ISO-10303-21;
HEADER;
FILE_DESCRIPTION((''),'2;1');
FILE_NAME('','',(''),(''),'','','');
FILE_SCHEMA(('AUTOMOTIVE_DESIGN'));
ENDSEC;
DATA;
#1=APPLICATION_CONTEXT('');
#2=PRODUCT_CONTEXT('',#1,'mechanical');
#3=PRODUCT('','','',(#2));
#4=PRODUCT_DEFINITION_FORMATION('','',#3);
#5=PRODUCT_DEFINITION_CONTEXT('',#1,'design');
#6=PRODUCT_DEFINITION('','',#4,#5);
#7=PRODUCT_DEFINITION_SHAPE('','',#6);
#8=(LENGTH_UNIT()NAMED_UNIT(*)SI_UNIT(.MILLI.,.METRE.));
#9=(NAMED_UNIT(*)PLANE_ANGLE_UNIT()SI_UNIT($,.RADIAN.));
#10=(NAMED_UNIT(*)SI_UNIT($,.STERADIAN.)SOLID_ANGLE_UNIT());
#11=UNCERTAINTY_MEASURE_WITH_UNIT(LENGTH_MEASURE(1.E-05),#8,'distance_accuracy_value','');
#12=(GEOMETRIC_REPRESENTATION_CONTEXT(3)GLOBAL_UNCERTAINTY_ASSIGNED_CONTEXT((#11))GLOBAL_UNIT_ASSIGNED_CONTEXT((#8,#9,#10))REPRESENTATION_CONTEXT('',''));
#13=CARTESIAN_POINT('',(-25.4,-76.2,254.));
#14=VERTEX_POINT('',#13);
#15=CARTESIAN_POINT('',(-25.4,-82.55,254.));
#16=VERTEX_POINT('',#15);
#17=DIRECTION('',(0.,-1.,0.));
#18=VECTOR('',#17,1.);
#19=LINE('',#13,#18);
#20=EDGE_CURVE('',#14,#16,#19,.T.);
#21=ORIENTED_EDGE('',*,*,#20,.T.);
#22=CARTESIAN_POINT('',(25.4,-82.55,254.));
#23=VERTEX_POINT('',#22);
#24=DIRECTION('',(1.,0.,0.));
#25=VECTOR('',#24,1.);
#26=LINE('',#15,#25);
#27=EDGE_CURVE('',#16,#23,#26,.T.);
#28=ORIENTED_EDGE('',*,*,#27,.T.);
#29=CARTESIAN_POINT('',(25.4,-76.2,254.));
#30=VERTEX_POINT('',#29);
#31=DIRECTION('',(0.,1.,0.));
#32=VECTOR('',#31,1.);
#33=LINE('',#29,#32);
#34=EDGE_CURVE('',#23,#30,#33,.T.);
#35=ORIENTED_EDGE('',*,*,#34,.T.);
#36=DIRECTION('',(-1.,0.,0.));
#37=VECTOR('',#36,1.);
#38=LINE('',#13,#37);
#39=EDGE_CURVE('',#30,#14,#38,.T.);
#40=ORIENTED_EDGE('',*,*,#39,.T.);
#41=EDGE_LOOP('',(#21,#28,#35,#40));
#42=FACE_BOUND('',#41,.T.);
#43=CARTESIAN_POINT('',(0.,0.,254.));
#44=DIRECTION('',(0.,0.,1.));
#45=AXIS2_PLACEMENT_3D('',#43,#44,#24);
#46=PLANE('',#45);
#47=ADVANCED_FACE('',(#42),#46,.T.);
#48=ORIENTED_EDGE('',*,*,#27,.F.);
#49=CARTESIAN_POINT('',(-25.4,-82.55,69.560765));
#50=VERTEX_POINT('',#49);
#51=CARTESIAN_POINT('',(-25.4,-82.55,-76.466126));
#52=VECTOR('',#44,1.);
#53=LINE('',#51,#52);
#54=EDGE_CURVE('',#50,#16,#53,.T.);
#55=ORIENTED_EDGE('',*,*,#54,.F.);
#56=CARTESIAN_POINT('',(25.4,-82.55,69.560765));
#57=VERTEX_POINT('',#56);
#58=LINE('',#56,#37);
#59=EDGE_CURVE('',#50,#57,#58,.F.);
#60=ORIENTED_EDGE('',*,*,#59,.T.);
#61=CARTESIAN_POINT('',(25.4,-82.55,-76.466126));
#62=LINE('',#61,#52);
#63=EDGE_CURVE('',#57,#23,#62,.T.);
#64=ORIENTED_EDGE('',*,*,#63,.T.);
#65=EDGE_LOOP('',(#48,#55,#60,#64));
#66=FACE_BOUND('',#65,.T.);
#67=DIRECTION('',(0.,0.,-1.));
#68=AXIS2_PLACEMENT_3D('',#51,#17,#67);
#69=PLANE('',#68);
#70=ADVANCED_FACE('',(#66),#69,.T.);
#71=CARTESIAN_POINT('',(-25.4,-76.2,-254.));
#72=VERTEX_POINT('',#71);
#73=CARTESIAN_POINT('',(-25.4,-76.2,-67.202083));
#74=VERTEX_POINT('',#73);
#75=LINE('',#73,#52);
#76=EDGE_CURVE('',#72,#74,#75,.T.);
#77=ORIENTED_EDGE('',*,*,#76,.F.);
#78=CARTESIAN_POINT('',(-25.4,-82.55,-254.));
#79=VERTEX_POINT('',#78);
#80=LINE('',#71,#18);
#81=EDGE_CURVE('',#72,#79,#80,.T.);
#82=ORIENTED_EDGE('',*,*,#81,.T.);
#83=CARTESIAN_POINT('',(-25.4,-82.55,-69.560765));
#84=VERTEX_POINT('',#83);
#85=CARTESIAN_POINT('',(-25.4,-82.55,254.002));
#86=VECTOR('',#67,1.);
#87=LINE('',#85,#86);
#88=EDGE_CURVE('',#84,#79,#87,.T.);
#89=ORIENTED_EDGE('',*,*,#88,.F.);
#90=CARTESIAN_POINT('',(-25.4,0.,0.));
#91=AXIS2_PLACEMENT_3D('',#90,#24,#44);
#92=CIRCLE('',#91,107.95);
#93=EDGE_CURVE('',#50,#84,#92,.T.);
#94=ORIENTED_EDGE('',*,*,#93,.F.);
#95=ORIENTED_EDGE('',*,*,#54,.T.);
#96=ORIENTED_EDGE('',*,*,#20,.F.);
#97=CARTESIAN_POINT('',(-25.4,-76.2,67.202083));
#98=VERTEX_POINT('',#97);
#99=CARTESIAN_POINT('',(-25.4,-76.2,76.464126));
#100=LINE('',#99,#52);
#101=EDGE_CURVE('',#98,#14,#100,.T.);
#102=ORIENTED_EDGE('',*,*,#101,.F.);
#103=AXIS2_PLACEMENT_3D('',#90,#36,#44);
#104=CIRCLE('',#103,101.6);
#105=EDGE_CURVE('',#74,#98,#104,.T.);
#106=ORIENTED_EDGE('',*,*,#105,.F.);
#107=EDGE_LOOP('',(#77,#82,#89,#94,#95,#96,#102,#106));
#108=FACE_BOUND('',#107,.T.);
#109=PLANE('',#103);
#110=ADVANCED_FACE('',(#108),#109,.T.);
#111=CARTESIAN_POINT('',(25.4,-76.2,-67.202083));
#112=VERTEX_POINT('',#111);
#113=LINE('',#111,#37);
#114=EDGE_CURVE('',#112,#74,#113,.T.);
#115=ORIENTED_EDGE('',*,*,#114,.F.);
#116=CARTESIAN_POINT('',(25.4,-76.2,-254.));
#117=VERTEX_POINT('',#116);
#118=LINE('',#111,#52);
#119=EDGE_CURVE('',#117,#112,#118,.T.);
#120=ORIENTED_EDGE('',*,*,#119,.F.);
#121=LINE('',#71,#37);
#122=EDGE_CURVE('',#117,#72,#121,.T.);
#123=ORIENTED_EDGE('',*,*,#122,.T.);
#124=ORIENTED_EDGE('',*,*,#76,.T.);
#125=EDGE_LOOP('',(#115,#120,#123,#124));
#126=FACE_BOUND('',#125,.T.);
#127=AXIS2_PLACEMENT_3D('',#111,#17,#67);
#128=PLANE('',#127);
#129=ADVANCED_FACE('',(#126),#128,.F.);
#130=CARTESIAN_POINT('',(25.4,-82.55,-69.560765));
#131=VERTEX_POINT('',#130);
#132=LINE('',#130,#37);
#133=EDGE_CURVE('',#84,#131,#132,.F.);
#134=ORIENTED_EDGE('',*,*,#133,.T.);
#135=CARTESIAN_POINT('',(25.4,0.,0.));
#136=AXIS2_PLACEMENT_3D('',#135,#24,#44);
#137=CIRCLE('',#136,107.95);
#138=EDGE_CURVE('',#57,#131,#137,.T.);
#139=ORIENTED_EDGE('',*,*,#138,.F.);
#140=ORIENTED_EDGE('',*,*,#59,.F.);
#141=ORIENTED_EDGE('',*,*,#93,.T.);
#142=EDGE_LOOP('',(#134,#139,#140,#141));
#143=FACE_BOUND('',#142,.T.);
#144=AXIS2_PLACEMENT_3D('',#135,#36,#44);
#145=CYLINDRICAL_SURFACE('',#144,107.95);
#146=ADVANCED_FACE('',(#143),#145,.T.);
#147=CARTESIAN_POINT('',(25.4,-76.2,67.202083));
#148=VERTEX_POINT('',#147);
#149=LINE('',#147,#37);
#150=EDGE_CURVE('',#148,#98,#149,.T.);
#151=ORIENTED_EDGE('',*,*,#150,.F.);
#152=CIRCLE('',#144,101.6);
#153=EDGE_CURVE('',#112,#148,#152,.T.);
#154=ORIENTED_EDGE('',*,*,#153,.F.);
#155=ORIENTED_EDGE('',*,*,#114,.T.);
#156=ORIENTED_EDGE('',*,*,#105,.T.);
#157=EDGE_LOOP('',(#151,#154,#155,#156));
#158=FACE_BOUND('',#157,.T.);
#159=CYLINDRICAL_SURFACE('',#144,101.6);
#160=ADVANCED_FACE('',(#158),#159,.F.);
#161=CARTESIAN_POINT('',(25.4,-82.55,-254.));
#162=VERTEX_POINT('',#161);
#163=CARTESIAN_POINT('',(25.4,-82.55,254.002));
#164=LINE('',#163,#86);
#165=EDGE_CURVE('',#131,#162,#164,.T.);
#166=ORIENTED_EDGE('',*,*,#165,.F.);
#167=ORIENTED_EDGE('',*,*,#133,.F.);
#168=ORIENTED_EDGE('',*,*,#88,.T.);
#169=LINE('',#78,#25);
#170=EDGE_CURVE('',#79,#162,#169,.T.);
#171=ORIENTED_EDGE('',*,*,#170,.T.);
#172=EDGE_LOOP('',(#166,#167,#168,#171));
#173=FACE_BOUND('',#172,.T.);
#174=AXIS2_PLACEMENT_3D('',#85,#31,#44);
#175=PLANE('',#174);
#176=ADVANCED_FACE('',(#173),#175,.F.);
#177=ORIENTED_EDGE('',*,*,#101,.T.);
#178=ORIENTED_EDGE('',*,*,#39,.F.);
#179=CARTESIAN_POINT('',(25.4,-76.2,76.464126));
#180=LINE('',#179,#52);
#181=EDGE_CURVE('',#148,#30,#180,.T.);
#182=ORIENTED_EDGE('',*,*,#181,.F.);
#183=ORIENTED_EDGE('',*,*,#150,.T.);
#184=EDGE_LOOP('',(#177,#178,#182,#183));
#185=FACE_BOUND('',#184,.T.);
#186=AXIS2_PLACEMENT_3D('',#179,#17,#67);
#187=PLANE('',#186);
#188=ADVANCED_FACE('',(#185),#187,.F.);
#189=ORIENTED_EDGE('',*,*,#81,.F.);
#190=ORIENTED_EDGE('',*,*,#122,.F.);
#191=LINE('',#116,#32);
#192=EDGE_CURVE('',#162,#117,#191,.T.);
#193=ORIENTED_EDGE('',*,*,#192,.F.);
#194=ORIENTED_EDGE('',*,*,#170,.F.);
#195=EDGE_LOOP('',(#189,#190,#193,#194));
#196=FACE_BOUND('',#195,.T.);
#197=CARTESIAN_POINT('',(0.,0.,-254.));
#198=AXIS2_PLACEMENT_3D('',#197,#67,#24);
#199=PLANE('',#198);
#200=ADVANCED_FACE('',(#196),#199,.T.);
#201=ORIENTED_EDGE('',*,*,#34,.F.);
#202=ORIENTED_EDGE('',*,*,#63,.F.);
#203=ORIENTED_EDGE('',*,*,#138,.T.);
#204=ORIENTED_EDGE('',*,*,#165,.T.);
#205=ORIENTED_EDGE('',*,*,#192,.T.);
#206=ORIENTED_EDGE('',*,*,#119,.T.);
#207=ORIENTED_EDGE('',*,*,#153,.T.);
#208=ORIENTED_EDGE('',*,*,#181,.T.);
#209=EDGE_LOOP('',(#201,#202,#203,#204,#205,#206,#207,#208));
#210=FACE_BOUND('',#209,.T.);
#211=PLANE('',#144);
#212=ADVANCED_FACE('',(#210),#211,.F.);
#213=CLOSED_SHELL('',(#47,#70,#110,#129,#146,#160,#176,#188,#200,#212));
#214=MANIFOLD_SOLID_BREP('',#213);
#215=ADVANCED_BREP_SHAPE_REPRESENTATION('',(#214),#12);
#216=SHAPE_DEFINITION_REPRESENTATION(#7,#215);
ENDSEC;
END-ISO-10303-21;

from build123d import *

# Parameters (mm, degrees)
BOSS_EXTRUDE1_DEPTH      = 25.4
BOSS_EXTRUDE2_REACH      = 350.576
BOSS_EXTRUDE2_END_RADIUS = 107.95
SKETCH2_W                = 50.8
SKETCH2_H                = 6.35


with BuildPart() as part:
    # Sketch1 → Boss-Extrude1 (new, symmetric)
    with BuildSketch(Plane(origin=(0, 0, 0), x_dir=(0, 0, -1), z_dir=(1, 0, 0))):
        with BuildLine():
            Line((-76.464125575, -76.2), (-67.202083301, -76.2))
            ThreePointArc((-67.202083301, -76.2), (0, -101.6), (67.202083301, -76.2))
            Line((67.202083301, -76.2), (76.464125575, -76.2))
            ThreePointArc((76.464125575, -76.2), (0, -107.95), (-76.464125575, -76.2))
        make_face()
    extrude(amount=BOSS_EXTRUDE1_DEPTH, both=True)

    # Boss-Extrude2: up to this cylinder (the profile starts outside it)
    boss_extrude2_end = Plane(origin=(0, 0, 0), z_dir=(-1, 0, 0)) * Cylinder(BOSS_EXTRUDE2_END_RADIUS, 918.052, mode=Mode.PRIVATE)
    # Sketch2 → Boss-Extrude2 (add, up to the surface)
    with BuildSketch(Plane.XY.offset(254), mode=Mode.PRIVATE) as boss_extrude2_sk1:
        with Locations((0, -79.375)):
            Rectangle(SKETCH2_W, SKETCH2_H)
    boss_extrude2_tool1 = extrude(boss_extrude2_sk1.sketch, amount=-BOSS_EXTRUDE2_REACH, mode=Mode.PRIVATE) - boss_extrude2_end
    boss_extrude2 = boss_extrude2_tool1.solids().sort_by_distance((0, -79.375, 254))[0]
    add(boss_extrude2)

    # Mirror1: Boss-Extrude2 across plane
    add(boss_extrude2.mirror(Plane.XY))


solid = part.part
